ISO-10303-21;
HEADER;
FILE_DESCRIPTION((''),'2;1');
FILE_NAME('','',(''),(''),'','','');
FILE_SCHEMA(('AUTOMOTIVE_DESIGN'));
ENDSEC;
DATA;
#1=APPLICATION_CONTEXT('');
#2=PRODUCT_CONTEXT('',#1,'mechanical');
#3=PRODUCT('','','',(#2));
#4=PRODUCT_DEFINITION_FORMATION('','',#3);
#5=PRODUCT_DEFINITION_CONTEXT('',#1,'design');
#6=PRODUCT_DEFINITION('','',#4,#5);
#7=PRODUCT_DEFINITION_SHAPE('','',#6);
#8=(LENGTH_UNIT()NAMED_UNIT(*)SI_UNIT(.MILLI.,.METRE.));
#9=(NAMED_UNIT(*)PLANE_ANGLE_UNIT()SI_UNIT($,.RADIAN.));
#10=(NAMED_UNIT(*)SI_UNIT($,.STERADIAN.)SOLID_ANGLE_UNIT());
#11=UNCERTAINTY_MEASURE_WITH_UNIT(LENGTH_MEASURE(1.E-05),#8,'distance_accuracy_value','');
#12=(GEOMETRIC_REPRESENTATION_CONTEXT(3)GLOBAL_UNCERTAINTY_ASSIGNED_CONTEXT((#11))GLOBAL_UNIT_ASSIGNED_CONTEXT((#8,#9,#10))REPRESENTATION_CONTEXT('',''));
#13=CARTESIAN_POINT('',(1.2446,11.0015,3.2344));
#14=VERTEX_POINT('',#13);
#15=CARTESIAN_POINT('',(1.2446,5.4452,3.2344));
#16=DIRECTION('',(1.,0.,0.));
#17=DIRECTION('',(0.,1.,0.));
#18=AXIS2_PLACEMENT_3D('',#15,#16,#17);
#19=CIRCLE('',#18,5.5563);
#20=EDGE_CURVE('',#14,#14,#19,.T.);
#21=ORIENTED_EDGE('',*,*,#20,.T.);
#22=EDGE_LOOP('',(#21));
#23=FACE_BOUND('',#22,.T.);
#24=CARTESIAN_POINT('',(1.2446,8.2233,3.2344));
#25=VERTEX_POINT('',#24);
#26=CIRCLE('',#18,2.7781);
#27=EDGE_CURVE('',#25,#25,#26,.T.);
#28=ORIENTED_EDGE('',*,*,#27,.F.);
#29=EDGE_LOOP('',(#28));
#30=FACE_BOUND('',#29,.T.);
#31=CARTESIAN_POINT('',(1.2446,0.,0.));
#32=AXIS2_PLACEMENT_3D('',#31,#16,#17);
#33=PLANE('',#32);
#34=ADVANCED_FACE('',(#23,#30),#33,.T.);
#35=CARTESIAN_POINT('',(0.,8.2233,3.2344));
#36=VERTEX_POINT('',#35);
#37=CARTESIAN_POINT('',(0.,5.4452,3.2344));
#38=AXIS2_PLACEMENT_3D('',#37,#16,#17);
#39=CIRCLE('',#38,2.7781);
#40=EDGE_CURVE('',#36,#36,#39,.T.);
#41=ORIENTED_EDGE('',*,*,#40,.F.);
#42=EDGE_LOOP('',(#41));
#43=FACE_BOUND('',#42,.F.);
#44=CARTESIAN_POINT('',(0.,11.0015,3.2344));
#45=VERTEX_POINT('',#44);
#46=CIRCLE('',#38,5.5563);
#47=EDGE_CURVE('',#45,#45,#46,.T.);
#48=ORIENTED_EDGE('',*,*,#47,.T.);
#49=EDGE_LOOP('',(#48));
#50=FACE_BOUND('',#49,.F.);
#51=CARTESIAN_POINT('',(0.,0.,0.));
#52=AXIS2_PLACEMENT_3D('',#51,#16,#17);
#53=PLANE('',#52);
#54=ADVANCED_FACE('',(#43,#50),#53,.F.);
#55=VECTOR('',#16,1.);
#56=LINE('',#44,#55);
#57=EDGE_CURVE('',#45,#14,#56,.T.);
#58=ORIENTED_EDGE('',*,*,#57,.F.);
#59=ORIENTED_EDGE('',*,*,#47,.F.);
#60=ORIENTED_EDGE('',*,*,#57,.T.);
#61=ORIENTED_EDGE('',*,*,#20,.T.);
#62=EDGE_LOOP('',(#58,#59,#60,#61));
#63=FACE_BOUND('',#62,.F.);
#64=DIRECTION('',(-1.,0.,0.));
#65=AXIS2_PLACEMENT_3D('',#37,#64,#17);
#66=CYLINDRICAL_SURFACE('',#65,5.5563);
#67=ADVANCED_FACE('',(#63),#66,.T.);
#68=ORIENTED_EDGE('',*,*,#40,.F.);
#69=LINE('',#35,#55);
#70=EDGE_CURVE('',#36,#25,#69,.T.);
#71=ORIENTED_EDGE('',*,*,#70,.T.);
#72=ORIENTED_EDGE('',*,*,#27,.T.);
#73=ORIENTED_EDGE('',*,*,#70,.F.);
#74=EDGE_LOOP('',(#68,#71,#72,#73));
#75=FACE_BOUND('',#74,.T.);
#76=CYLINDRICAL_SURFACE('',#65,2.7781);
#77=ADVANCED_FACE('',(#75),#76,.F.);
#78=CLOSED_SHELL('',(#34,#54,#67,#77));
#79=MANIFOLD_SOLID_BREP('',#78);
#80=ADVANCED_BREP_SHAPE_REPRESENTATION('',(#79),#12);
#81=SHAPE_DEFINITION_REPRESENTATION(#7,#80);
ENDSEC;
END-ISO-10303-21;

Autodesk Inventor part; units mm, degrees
ref_plane "YZ Plane" through (0, 0, 0) normal (1, 0, 0) x (0, 1, 0)
ref_plane "XZ Plane" through (0, 0, 0) normal (0, 1, 0) x (-1, 0, 0)
ref_plane "XY Plane" through (0, 0, 0) normal (0, 0, 1) x (1, 0, 0)
sketch "Sketch1" plane through (0, 0, 0) normal (1, 0, 0) x (0, 1, 0)
  circle A0 centre (5.4452, 3.2344) radius 5.5563
  circle A1 centre (5.4452, 3.2344) radius 2.7781
  point P0 (0, 0)
  dimension "d0" = 11.1125
  dimension "d1" = 5.5563
extrude "Extrusion1" add sketch "Sketch1" along normal blind 1.2446
properties part number "#10 Washer"
